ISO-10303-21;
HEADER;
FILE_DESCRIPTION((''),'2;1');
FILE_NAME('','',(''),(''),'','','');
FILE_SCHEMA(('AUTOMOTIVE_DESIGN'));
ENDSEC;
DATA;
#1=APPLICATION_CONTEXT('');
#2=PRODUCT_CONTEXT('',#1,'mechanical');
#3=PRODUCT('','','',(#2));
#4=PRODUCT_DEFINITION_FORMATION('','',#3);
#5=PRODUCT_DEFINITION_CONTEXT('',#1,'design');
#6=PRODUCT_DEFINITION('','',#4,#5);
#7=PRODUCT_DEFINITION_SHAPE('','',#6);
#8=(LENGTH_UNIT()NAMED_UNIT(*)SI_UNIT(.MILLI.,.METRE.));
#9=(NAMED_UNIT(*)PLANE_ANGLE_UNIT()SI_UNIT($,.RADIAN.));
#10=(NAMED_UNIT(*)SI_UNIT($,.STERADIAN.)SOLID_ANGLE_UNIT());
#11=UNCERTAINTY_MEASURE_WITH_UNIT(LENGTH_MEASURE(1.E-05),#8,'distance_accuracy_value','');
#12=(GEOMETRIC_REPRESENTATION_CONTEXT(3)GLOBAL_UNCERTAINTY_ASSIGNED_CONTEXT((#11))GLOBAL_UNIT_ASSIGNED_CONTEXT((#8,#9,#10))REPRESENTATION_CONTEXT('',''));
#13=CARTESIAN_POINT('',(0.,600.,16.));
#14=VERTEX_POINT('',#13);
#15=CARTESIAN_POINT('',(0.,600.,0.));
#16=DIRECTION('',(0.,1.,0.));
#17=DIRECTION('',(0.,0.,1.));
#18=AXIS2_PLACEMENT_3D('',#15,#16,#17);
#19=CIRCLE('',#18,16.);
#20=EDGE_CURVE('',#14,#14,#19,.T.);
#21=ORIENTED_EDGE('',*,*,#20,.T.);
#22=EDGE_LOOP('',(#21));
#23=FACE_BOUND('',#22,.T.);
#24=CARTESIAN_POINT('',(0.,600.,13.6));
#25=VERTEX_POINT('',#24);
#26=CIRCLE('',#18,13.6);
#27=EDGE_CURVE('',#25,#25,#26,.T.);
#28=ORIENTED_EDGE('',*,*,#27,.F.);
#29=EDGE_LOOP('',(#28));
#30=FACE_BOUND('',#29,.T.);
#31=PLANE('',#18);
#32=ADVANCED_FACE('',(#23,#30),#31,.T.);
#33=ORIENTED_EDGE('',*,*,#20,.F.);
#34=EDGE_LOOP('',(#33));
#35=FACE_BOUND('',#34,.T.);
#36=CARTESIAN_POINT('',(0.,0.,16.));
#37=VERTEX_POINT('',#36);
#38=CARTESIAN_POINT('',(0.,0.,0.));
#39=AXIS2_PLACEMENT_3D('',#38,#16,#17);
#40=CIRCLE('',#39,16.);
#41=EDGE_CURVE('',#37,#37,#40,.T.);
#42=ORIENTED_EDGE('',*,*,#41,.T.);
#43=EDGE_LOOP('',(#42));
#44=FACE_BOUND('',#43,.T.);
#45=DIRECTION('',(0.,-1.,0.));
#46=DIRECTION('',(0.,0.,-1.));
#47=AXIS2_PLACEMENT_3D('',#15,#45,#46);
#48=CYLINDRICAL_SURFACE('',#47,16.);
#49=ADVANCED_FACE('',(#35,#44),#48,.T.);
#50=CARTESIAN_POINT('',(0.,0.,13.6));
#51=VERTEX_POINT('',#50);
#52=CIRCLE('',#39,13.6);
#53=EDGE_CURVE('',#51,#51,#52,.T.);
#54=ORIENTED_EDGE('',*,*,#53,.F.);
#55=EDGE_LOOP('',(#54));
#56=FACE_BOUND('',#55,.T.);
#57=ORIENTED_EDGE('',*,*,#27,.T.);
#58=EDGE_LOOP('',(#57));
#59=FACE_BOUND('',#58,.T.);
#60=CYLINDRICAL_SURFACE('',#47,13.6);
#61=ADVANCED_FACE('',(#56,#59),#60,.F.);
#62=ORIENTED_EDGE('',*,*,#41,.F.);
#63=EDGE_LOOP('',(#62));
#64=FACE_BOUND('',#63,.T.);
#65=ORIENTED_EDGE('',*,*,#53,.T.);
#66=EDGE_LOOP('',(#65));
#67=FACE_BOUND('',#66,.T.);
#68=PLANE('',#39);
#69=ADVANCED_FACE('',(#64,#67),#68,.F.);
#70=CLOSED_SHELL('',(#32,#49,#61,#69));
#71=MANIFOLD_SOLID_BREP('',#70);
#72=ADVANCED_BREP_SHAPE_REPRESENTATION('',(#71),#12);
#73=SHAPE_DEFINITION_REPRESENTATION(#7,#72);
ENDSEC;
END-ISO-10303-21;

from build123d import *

# Parameters (mm, degrees)
SKETCH_1_R      = 16
SKETCH_1_R_2    = 13.6
EXTRUDE_1_DEPTH = 600


with BuildPart() as part:
    # 草图1 → 凸台-拉伸1 (new body)
    with BuildSketch(Plane(origin=(0, 0, 0), x_dir=(1, 0, 0), z_dir=(0, 1, 0))):
        with Locations(Location((0, 0, 0), (0, 0, 270))):
            Circle(SKETCH_1_R)
        with Locations(Location((0, 0, 0), (0, 0, 270))):
            Circle(SKETCH_1_R_2, mode=Mode.SUBTRACT)
    extrude(amount=EXTRUDE_1_DEPTH)


solid = part.part
